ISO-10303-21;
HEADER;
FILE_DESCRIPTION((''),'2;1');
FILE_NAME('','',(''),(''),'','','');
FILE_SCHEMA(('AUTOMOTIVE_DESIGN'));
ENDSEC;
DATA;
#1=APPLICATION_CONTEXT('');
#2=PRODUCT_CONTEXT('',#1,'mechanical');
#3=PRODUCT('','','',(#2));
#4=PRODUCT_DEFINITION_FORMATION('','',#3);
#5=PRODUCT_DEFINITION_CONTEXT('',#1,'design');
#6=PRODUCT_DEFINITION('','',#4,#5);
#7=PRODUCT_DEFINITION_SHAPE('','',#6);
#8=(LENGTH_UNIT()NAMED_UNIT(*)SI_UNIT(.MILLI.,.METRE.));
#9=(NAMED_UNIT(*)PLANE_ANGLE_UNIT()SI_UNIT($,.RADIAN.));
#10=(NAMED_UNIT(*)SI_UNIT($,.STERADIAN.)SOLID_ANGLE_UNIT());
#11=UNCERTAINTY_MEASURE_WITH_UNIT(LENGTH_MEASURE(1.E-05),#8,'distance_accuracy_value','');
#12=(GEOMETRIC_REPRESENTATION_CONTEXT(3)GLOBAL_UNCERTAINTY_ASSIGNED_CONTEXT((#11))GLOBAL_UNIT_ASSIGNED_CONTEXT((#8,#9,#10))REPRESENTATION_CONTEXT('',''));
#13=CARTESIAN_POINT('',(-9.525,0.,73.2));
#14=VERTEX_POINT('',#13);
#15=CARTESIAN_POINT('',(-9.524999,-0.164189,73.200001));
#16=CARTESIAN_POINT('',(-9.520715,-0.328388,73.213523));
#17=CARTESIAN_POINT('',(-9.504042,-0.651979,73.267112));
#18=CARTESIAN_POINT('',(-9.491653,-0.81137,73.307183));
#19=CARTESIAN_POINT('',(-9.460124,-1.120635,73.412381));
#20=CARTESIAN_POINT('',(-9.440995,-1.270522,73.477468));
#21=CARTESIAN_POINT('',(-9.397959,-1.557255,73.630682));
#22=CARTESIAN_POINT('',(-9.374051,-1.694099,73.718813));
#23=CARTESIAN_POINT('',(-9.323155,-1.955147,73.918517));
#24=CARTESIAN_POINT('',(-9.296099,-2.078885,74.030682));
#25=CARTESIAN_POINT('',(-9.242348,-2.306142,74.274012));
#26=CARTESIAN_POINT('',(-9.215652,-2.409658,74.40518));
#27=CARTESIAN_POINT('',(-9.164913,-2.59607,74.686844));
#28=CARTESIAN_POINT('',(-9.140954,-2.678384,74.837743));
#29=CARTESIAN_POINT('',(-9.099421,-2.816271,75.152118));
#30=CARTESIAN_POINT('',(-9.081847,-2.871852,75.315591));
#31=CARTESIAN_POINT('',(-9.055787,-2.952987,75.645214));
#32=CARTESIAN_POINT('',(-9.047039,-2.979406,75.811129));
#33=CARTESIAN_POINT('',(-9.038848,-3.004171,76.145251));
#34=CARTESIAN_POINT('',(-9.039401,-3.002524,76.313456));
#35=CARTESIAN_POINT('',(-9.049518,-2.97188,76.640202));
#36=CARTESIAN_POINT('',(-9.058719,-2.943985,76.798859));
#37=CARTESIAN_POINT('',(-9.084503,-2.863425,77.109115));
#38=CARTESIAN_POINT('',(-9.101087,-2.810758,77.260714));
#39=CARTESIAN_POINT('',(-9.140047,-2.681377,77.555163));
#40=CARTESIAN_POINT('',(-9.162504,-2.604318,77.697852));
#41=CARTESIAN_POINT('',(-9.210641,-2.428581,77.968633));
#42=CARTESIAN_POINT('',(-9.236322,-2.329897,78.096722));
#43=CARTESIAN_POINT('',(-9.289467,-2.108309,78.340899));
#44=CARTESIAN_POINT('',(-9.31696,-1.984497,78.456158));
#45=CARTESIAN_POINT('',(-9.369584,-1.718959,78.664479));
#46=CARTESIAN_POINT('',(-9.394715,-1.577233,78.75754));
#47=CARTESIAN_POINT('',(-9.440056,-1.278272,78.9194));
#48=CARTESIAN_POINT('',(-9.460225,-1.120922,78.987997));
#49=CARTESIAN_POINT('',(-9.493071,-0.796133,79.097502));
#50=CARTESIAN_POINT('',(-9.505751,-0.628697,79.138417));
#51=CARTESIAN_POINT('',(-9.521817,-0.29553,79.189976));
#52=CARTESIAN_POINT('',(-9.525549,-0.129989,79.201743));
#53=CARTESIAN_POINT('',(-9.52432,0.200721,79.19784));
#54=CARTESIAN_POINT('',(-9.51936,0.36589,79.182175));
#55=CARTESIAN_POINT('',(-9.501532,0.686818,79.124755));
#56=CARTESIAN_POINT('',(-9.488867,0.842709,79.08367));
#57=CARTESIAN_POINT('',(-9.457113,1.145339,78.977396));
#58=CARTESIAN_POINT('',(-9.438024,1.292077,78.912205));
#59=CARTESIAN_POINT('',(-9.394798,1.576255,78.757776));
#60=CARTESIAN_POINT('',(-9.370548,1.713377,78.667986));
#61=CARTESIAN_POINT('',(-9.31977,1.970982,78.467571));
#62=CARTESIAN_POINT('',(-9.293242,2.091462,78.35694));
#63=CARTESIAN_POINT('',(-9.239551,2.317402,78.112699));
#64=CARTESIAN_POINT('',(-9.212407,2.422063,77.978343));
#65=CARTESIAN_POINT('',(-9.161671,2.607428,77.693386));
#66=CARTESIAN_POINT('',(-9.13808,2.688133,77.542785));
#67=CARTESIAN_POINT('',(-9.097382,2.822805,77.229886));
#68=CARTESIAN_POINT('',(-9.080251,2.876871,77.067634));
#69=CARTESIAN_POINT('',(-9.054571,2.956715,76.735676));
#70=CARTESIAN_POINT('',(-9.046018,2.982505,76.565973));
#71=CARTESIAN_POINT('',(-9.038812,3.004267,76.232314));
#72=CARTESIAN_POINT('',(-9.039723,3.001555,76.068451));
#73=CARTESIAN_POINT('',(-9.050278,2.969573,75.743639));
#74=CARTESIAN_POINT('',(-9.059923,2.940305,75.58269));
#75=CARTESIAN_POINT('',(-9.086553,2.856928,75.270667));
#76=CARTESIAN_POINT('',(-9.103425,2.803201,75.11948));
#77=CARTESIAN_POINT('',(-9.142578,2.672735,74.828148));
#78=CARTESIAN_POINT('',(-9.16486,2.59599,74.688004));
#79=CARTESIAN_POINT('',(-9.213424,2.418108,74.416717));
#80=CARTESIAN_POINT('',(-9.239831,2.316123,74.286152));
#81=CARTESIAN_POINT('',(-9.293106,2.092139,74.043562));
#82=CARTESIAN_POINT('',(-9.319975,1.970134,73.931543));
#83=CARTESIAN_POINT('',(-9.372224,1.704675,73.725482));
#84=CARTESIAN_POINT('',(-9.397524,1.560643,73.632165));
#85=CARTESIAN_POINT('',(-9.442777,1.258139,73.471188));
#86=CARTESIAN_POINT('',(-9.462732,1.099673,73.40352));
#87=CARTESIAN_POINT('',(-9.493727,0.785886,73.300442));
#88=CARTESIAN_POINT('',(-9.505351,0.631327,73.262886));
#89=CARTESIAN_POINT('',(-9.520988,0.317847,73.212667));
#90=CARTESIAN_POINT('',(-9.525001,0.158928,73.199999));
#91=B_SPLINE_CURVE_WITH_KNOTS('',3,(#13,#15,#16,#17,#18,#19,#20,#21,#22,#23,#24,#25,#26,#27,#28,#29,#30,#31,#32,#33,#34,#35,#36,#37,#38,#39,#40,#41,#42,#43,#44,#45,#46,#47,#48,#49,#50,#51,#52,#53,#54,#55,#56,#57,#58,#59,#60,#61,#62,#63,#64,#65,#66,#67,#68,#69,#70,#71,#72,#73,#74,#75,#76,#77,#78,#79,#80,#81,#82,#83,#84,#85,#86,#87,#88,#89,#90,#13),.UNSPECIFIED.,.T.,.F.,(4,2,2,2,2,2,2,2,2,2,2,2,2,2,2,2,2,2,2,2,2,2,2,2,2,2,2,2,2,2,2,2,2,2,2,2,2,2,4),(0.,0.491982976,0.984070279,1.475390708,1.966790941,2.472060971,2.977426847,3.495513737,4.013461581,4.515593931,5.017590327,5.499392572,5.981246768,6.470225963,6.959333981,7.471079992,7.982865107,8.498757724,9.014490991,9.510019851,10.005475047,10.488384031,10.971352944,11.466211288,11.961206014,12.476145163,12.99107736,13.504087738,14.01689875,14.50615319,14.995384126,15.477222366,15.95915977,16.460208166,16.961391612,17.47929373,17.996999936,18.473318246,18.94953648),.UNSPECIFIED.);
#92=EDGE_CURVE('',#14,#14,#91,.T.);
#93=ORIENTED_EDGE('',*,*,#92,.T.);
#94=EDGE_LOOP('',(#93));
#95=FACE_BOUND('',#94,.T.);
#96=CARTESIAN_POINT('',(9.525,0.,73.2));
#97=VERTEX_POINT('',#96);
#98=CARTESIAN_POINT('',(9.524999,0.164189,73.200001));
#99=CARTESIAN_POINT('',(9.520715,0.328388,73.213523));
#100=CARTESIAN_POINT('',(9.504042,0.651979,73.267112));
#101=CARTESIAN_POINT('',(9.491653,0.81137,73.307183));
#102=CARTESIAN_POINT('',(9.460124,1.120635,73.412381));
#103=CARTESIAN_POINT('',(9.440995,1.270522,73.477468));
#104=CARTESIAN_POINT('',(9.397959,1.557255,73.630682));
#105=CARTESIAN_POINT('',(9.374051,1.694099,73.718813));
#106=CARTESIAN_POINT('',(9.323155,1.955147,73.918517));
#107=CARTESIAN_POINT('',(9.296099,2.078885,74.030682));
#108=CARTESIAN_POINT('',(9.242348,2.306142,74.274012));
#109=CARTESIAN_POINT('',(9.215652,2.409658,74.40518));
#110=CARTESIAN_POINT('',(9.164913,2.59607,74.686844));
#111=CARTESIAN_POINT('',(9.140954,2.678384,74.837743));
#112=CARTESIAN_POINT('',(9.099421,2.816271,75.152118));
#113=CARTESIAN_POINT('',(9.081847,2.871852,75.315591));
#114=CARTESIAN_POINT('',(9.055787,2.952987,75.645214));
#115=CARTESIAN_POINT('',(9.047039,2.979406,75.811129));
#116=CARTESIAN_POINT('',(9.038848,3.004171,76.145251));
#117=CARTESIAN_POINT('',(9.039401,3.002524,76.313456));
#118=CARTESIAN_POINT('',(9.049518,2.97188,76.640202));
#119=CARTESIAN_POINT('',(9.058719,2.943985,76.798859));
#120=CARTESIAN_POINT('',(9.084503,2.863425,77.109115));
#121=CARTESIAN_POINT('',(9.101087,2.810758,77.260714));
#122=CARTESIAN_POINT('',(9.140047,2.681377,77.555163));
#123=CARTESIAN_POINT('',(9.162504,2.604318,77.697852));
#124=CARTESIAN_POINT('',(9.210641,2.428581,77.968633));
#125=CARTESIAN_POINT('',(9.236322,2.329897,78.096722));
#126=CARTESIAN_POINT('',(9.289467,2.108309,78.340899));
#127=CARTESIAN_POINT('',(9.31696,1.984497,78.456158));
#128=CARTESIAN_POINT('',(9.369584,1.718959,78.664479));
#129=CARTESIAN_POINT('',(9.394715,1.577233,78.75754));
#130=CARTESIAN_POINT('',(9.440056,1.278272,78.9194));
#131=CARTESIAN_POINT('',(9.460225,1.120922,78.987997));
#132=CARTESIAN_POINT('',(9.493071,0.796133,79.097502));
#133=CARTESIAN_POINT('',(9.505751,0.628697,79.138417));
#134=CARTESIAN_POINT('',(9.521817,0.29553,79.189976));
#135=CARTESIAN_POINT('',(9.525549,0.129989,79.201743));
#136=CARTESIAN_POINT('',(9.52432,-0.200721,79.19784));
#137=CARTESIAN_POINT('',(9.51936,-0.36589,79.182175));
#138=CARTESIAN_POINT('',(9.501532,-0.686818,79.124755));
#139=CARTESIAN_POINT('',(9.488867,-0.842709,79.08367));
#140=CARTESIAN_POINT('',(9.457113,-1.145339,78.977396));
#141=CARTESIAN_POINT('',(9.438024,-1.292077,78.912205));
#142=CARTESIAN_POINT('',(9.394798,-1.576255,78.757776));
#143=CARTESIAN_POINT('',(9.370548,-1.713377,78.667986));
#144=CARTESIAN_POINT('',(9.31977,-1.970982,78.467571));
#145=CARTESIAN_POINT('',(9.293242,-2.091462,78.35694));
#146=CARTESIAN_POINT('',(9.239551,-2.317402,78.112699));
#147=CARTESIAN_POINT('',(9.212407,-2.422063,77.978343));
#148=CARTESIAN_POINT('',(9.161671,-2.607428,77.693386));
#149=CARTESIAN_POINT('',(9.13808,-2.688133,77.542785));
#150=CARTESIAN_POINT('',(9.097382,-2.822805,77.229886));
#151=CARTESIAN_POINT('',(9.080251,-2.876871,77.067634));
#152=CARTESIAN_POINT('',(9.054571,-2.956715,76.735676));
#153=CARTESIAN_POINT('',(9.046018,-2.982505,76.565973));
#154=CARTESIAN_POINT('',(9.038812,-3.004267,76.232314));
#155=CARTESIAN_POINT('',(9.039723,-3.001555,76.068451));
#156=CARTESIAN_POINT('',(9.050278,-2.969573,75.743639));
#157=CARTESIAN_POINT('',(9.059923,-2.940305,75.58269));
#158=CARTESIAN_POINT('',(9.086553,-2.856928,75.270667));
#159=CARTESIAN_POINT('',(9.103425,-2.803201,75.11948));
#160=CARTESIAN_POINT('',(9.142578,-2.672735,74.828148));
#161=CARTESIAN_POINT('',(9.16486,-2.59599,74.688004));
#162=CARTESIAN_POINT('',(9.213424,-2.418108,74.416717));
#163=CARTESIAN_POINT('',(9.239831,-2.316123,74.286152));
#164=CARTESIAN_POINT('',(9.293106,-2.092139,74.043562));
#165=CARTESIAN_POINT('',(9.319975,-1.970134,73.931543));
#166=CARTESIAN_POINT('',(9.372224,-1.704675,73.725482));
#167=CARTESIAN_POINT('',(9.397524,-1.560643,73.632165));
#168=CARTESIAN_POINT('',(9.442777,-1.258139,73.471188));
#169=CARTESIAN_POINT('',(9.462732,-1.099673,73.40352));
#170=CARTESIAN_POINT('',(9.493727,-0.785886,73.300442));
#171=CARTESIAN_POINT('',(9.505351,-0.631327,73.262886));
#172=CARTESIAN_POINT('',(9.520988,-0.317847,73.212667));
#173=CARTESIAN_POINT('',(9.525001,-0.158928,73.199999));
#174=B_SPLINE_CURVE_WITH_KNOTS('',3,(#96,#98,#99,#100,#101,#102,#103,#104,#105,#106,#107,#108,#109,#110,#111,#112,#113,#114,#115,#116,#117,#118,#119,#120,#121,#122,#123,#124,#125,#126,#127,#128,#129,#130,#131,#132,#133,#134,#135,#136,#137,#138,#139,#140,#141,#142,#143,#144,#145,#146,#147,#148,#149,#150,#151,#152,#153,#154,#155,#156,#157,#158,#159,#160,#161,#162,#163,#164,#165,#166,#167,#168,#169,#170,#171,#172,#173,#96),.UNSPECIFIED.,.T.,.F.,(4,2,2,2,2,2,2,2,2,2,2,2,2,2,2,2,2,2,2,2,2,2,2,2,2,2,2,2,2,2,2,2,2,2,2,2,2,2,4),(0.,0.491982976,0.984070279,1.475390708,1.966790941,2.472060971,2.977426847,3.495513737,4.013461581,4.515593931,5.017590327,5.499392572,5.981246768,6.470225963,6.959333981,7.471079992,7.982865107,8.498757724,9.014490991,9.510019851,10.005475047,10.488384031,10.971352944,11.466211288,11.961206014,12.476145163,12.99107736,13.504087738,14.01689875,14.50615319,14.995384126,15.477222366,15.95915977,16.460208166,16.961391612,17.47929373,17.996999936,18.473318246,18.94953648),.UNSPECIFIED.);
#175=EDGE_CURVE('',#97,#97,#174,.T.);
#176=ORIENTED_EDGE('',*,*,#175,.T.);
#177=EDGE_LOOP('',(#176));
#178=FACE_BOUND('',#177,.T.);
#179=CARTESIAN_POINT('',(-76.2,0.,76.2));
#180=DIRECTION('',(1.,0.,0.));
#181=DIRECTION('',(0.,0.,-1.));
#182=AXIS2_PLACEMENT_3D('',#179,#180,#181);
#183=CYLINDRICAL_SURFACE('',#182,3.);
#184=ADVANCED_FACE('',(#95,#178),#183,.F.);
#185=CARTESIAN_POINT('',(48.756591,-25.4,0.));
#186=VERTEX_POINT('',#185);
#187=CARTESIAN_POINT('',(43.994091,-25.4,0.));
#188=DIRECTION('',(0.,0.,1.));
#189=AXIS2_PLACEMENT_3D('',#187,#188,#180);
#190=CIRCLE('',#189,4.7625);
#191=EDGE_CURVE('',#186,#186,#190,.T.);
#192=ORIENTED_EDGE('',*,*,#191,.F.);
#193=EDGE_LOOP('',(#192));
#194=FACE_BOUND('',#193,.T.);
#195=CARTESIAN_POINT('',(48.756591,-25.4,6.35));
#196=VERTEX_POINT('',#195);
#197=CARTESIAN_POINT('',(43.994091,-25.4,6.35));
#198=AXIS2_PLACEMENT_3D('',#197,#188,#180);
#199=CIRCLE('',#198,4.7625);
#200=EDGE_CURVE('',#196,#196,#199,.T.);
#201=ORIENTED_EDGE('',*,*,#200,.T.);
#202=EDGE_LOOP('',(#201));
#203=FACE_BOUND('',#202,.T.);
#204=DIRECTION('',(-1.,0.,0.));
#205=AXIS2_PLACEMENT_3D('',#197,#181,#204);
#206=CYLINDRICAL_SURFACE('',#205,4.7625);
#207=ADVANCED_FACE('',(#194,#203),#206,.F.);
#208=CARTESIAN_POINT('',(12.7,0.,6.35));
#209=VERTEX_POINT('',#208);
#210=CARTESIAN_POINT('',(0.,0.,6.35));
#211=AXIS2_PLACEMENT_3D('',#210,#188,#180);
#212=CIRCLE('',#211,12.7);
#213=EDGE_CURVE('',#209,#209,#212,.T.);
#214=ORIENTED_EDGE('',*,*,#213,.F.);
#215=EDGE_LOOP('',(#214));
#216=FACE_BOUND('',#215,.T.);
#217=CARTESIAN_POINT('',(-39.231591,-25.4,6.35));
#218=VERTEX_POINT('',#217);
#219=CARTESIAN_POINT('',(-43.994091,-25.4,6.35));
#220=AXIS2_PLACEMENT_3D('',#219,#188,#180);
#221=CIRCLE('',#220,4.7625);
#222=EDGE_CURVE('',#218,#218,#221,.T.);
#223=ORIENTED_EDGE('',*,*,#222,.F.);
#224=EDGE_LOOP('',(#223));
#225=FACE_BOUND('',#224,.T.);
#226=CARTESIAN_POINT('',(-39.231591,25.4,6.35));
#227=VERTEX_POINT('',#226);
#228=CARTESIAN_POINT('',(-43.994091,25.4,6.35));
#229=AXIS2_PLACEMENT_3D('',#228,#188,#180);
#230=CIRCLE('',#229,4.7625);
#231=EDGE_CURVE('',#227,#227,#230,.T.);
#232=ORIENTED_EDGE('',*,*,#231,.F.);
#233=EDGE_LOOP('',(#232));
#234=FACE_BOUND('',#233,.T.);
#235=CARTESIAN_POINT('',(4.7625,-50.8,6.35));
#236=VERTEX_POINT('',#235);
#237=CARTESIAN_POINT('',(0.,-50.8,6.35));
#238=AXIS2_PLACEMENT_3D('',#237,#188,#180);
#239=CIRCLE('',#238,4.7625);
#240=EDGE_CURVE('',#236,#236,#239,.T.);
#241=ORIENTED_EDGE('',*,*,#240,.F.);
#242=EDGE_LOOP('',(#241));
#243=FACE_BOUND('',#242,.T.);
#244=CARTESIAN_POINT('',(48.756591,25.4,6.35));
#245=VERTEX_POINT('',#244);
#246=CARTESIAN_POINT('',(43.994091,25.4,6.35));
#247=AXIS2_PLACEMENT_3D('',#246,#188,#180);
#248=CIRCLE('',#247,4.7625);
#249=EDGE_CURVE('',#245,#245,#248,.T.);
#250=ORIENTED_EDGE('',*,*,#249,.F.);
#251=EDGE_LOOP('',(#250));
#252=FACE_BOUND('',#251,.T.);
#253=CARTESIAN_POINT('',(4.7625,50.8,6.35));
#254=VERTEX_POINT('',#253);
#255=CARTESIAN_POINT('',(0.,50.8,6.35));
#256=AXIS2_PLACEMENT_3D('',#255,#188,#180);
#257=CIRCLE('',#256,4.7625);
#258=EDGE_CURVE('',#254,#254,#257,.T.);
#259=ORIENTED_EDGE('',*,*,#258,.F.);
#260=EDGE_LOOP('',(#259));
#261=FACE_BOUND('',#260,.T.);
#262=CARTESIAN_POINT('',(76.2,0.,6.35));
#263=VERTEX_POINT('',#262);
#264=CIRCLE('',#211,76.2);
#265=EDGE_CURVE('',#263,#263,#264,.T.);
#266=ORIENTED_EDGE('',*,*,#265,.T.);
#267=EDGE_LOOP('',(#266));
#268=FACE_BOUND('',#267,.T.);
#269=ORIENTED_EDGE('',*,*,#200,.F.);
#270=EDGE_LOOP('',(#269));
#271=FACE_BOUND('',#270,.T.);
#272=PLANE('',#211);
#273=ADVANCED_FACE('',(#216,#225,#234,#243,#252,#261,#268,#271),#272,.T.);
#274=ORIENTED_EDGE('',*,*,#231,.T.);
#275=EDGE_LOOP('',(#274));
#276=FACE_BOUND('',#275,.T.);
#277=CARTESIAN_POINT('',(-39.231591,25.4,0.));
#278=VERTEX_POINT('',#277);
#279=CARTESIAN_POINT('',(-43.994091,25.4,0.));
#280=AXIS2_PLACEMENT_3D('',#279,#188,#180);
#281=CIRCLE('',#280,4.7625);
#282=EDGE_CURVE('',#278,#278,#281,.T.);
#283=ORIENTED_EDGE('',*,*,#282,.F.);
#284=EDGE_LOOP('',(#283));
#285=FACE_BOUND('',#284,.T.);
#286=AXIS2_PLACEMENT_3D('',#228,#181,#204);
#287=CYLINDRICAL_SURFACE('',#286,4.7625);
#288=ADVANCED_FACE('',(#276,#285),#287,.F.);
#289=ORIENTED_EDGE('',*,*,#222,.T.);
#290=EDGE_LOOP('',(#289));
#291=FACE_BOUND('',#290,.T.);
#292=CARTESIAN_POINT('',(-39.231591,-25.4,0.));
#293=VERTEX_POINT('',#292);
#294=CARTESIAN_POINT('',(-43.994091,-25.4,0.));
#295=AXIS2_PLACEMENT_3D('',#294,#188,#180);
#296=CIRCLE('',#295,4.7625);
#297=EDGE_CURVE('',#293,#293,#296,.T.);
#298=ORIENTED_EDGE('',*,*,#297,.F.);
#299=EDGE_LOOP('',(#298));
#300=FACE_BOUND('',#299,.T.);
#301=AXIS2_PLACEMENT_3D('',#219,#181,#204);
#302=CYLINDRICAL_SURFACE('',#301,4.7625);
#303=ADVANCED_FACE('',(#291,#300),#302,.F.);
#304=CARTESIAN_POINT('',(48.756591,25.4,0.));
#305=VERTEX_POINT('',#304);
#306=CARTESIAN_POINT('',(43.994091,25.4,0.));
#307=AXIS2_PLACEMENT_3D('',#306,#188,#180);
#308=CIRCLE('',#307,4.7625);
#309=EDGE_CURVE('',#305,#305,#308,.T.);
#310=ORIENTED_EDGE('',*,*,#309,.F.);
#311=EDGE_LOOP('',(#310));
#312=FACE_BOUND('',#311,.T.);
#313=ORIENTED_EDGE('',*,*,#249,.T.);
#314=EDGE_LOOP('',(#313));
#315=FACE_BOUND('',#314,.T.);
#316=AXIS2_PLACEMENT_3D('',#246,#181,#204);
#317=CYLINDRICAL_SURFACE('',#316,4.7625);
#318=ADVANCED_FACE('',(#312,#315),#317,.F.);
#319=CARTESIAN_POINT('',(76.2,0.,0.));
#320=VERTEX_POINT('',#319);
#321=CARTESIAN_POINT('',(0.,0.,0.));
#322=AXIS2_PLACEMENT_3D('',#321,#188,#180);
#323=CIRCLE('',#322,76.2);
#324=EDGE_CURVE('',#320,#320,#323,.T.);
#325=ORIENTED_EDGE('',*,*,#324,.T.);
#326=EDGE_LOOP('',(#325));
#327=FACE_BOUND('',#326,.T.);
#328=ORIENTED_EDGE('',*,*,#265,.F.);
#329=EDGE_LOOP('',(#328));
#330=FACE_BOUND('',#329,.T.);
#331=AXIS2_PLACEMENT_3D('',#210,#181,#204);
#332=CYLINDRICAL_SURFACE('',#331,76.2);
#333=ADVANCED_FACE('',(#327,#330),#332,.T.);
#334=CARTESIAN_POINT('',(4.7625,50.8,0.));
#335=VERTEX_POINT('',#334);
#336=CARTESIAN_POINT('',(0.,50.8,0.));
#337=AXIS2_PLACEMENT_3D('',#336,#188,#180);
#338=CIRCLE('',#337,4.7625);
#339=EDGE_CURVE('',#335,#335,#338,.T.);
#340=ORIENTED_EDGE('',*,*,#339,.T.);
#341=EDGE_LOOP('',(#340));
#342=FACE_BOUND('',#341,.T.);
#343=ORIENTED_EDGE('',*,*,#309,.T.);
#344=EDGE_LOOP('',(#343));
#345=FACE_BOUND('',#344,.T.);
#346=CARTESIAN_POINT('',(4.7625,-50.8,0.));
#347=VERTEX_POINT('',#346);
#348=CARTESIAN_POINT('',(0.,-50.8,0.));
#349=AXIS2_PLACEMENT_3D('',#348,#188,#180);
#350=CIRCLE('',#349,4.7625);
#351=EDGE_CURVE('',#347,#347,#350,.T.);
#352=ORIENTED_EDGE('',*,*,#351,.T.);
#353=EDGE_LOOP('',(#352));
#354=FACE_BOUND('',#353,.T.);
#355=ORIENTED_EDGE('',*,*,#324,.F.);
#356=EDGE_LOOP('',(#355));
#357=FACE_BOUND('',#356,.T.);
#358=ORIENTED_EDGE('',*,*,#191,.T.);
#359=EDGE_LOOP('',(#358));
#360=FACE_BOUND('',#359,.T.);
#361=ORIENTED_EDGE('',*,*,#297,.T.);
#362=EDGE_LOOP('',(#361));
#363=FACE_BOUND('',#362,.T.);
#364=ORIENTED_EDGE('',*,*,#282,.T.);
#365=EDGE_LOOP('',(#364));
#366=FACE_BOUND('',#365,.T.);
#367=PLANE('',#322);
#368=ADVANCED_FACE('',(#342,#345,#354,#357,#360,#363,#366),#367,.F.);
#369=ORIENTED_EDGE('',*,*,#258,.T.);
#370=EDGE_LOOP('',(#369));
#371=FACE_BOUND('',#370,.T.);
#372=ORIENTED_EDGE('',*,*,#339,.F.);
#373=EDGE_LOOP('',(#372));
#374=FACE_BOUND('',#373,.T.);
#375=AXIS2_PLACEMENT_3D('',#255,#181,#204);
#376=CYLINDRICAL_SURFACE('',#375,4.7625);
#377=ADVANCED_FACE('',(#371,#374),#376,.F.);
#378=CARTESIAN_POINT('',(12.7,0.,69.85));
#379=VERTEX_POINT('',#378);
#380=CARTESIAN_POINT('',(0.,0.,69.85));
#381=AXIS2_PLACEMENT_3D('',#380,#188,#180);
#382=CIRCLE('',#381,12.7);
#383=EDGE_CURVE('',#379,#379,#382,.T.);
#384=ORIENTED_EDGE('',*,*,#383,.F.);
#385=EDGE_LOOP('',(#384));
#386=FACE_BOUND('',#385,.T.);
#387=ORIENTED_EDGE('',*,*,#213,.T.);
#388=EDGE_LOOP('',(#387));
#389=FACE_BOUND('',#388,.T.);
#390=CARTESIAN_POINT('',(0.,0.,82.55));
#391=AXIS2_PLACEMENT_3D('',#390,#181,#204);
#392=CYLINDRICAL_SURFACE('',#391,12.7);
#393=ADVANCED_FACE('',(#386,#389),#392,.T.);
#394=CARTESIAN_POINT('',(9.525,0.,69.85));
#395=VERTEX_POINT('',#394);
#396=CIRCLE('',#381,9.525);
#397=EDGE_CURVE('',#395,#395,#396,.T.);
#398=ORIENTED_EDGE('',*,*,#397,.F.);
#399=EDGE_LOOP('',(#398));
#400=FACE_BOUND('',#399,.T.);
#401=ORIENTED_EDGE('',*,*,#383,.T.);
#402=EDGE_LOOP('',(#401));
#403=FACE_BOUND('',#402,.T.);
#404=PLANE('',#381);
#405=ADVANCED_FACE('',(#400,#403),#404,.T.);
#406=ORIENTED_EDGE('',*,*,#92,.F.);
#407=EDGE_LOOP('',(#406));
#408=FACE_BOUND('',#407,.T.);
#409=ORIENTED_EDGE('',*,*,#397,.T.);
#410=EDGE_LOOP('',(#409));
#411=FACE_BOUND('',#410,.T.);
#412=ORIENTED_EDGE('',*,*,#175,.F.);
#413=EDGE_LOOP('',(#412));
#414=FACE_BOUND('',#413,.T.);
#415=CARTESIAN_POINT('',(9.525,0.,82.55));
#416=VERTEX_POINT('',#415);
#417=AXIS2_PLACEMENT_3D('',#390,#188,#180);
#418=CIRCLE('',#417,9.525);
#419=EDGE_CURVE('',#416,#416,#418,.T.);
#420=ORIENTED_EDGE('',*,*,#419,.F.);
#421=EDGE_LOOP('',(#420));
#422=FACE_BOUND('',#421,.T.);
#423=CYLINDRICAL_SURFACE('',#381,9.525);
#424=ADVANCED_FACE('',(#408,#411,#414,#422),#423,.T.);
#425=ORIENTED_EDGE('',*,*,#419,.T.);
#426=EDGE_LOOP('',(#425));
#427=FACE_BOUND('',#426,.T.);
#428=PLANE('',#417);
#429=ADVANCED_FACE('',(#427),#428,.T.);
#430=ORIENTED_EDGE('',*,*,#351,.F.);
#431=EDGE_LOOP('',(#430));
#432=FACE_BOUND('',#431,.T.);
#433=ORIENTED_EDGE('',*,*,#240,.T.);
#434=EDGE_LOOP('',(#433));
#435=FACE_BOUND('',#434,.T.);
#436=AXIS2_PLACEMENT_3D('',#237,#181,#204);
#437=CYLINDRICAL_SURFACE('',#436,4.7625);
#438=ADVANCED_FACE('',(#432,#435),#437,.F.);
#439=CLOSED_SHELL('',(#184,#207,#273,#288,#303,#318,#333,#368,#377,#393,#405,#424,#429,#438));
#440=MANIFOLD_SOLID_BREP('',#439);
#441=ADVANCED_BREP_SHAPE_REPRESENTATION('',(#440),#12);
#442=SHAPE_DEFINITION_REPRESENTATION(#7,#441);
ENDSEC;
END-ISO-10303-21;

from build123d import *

# Parameters (mm, degrees)
SKETCH1_R           = 76.2
SKETCH1_R_2         = 4.7625
BOSS_EXTRUDE1_DEPTH = 6.35
SKETCH2_R           = 12.7
BOSS_EXTRUDE2_DEPTH = 76.2
SKETCH3_R           = 12.7
SKETCH3_R_2         = 9.525
CUT_EXTRUDE1_DEPTH  = 12.7
SKETCH4_R           = 3
CUT_EXTRUDE2_DEPTH  = 86.725


with BuildPart() as part:
    # Sketch1 → Boss-Extrude1 (new body)
    with BuildSketch(Plane.XY):
        Circle(SKETCH1_R)
        with Locations((0, 50.8)):
            Circle(SKETCH1_R_2, mode=Mode.SUBTRACT)
        with Locations((43.994090512, 25.4)):
            Circle(SKETCH1_R_2, mode=Mode.SUBTRACT)
        with Locations((43.994090512, -25.4)):
            Circle(SKETCH1_R_2, mode=Mode.SUBTRACT)
        with Locations((0, -50.8)):
            Circle(SKETCH1_R_2, mode=Mode.SUBTRACT)
        with Locations((-43.994090512, -25.4)):
            Circle(SKETCH1_R_2, mode=Mode.SUBTRACT)
        with Locations((-43.994090512, 25.4)):
            Circle(SKETCH1_R_2, mode=Mode.SUBTRACT)
    extrude(amount=BOSS_EXTRUDE1_DEPTH)

    # Sketch2 → Boss-Extrude2 (add)
    with BuildSketch(Plane.XY.offset(6.35)):
        Circle(SKETCH2_R)
    extrude(amount=BOSS_EXTRUDE2_DEPTH)

    # Sketch3 → Cut-Extrude1 (cut)
    with BuildSketch(Plane.XY.offset(82.55)):
        Circle(SKETCH3_R)
        Circle(SKETCH3_R_2, mode=Mode.SUBTRACT)
    extrude(amount=-CUT_EXTRUDE1_DEPTH, mode=Mode.SUBTRACT)

    # Sketch4 → Cut-Extrude2 (cut, through all)
    with BuildSketch(Plane(origin=(9.525, 0, 0), x_dir=(0, 0, -1), z_dir=(1, 0, 0))):
        with Locations((-76.2, 0)):
            Circle(SKETCH4_R)
    extrude(amount=-CUT_EXTRUDE2_DEPTH, mode=Mode.SUBTRACT)


solid = part.part
